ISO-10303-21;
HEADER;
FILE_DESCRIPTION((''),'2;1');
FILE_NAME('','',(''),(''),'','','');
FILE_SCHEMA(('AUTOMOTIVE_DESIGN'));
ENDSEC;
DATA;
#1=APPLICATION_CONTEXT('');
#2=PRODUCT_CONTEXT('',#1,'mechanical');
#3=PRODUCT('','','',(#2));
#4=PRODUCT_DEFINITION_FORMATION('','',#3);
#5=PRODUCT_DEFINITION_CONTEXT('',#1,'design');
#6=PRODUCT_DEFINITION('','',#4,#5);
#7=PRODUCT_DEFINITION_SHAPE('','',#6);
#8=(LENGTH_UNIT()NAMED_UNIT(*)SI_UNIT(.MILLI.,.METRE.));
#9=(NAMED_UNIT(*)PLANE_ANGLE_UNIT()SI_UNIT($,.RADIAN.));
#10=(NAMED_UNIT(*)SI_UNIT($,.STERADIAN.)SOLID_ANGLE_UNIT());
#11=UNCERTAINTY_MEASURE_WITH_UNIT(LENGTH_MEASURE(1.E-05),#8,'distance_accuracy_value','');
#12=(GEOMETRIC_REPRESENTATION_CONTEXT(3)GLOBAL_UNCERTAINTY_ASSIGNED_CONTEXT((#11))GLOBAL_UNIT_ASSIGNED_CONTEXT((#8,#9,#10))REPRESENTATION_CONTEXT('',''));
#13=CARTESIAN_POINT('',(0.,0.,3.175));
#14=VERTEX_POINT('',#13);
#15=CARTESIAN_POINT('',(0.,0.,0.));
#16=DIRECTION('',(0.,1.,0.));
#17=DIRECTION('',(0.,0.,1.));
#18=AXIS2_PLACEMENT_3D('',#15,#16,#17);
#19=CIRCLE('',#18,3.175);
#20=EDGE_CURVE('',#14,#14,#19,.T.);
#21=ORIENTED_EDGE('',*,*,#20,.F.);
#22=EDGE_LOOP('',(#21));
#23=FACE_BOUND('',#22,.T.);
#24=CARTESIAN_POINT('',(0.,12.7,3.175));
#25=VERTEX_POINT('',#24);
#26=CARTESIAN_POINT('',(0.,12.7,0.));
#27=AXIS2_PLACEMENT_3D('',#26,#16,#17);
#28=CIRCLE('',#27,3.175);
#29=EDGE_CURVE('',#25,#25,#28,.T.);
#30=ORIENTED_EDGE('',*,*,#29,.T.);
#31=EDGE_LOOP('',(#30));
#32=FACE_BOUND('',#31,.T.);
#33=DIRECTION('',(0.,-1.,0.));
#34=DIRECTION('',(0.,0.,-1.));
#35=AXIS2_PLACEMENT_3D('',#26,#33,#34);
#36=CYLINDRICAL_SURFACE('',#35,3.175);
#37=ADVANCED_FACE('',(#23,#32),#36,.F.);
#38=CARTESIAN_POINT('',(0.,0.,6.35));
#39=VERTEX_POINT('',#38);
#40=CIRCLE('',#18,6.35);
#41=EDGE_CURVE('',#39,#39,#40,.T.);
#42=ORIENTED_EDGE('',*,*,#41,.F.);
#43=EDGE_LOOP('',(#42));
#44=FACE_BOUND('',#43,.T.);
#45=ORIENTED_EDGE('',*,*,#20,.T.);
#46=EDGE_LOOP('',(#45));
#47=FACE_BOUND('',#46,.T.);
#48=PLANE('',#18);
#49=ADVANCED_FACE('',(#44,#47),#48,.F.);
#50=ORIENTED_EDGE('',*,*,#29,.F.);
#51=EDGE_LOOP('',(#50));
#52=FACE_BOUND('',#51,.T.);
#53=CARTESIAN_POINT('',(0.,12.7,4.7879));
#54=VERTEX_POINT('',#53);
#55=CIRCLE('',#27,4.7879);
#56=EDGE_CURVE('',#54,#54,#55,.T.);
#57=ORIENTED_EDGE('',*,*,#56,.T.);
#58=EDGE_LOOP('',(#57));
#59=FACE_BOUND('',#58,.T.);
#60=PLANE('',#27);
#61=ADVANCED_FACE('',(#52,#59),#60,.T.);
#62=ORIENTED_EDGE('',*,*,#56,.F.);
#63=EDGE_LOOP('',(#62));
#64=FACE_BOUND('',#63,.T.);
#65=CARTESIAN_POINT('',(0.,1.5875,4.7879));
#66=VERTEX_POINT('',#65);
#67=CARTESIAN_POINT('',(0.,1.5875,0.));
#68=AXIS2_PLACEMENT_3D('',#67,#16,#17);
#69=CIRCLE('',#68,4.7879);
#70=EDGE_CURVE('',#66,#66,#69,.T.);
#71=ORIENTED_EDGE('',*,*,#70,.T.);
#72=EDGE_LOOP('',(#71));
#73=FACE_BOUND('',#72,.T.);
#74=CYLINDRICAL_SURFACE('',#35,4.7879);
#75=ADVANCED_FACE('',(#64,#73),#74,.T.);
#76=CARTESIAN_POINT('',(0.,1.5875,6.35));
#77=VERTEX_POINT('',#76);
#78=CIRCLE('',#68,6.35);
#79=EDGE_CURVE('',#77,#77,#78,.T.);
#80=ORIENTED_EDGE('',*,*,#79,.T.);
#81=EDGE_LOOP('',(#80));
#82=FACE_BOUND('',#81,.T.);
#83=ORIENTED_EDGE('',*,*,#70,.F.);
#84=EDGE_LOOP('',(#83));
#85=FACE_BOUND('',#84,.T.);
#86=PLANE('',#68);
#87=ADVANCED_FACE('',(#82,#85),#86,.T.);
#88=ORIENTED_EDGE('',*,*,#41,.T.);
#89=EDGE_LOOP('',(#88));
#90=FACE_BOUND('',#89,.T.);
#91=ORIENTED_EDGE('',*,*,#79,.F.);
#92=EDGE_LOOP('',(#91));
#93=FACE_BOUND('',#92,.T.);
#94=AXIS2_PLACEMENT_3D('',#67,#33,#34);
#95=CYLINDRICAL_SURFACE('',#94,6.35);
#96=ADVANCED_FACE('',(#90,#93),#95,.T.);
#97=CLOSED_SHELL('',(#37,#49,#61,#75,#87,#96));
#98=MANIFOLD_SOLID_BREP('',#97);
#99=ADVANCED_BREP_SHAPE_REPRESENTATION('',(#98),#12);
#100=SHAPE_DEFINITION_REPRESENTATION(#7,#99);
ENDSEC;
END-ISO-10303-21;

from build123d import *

# Parameters (mm, degrees)
SKETCH2_R           = 4.7879
SKETCH2_R_2         = 3.175
BOSS_EXTRUDE1_DEPTH = 12.7
SKETCH3_R           = 6.35
SKETCH3_R_2         = 4.7879
BOSS_EXTRUDE2_DEPTH = 1.5875


with BuildPart() as part:
    # Sketch2 → Boss-Extrude1 (new body)
    with BuildSketch(Plane(origin=(0, 0, 0), x_dir=(1, 0, 0), z_dir=(0, 1, 0))):
        with Locations(Location((0, 0, 0), (0, 0, 270))):
            Circle(SKETCH2_R)
        with Locations(Location((0, 0, 0), (0, 0, 270))):
            Circle(SKETCH2_R_2, mode=Mode.SUBTRACT)
    extrude(amount=BOSS_EXTRUDE1_DEPTH)

    # Sketch3 → Boss-Extrude2 (add)
    with BuildSketch(Plane(origin=(0, 0, 0), x_dir=(1, 0, 0), z_dir=(0, 1, 0))):
        with Locations(Location((0, 0, 0), (0, 0, 270))):
            Circle(SKETCH3_R)
        with Locations(Location((0, 0, 0), (0, 0, 270))):
            Circle(SKETCH3_R_2, mode=Mode.SUBTRACT)
    extrude(amount=BOSS_EXTRUDE2_DEPTH)


solid = part.part
